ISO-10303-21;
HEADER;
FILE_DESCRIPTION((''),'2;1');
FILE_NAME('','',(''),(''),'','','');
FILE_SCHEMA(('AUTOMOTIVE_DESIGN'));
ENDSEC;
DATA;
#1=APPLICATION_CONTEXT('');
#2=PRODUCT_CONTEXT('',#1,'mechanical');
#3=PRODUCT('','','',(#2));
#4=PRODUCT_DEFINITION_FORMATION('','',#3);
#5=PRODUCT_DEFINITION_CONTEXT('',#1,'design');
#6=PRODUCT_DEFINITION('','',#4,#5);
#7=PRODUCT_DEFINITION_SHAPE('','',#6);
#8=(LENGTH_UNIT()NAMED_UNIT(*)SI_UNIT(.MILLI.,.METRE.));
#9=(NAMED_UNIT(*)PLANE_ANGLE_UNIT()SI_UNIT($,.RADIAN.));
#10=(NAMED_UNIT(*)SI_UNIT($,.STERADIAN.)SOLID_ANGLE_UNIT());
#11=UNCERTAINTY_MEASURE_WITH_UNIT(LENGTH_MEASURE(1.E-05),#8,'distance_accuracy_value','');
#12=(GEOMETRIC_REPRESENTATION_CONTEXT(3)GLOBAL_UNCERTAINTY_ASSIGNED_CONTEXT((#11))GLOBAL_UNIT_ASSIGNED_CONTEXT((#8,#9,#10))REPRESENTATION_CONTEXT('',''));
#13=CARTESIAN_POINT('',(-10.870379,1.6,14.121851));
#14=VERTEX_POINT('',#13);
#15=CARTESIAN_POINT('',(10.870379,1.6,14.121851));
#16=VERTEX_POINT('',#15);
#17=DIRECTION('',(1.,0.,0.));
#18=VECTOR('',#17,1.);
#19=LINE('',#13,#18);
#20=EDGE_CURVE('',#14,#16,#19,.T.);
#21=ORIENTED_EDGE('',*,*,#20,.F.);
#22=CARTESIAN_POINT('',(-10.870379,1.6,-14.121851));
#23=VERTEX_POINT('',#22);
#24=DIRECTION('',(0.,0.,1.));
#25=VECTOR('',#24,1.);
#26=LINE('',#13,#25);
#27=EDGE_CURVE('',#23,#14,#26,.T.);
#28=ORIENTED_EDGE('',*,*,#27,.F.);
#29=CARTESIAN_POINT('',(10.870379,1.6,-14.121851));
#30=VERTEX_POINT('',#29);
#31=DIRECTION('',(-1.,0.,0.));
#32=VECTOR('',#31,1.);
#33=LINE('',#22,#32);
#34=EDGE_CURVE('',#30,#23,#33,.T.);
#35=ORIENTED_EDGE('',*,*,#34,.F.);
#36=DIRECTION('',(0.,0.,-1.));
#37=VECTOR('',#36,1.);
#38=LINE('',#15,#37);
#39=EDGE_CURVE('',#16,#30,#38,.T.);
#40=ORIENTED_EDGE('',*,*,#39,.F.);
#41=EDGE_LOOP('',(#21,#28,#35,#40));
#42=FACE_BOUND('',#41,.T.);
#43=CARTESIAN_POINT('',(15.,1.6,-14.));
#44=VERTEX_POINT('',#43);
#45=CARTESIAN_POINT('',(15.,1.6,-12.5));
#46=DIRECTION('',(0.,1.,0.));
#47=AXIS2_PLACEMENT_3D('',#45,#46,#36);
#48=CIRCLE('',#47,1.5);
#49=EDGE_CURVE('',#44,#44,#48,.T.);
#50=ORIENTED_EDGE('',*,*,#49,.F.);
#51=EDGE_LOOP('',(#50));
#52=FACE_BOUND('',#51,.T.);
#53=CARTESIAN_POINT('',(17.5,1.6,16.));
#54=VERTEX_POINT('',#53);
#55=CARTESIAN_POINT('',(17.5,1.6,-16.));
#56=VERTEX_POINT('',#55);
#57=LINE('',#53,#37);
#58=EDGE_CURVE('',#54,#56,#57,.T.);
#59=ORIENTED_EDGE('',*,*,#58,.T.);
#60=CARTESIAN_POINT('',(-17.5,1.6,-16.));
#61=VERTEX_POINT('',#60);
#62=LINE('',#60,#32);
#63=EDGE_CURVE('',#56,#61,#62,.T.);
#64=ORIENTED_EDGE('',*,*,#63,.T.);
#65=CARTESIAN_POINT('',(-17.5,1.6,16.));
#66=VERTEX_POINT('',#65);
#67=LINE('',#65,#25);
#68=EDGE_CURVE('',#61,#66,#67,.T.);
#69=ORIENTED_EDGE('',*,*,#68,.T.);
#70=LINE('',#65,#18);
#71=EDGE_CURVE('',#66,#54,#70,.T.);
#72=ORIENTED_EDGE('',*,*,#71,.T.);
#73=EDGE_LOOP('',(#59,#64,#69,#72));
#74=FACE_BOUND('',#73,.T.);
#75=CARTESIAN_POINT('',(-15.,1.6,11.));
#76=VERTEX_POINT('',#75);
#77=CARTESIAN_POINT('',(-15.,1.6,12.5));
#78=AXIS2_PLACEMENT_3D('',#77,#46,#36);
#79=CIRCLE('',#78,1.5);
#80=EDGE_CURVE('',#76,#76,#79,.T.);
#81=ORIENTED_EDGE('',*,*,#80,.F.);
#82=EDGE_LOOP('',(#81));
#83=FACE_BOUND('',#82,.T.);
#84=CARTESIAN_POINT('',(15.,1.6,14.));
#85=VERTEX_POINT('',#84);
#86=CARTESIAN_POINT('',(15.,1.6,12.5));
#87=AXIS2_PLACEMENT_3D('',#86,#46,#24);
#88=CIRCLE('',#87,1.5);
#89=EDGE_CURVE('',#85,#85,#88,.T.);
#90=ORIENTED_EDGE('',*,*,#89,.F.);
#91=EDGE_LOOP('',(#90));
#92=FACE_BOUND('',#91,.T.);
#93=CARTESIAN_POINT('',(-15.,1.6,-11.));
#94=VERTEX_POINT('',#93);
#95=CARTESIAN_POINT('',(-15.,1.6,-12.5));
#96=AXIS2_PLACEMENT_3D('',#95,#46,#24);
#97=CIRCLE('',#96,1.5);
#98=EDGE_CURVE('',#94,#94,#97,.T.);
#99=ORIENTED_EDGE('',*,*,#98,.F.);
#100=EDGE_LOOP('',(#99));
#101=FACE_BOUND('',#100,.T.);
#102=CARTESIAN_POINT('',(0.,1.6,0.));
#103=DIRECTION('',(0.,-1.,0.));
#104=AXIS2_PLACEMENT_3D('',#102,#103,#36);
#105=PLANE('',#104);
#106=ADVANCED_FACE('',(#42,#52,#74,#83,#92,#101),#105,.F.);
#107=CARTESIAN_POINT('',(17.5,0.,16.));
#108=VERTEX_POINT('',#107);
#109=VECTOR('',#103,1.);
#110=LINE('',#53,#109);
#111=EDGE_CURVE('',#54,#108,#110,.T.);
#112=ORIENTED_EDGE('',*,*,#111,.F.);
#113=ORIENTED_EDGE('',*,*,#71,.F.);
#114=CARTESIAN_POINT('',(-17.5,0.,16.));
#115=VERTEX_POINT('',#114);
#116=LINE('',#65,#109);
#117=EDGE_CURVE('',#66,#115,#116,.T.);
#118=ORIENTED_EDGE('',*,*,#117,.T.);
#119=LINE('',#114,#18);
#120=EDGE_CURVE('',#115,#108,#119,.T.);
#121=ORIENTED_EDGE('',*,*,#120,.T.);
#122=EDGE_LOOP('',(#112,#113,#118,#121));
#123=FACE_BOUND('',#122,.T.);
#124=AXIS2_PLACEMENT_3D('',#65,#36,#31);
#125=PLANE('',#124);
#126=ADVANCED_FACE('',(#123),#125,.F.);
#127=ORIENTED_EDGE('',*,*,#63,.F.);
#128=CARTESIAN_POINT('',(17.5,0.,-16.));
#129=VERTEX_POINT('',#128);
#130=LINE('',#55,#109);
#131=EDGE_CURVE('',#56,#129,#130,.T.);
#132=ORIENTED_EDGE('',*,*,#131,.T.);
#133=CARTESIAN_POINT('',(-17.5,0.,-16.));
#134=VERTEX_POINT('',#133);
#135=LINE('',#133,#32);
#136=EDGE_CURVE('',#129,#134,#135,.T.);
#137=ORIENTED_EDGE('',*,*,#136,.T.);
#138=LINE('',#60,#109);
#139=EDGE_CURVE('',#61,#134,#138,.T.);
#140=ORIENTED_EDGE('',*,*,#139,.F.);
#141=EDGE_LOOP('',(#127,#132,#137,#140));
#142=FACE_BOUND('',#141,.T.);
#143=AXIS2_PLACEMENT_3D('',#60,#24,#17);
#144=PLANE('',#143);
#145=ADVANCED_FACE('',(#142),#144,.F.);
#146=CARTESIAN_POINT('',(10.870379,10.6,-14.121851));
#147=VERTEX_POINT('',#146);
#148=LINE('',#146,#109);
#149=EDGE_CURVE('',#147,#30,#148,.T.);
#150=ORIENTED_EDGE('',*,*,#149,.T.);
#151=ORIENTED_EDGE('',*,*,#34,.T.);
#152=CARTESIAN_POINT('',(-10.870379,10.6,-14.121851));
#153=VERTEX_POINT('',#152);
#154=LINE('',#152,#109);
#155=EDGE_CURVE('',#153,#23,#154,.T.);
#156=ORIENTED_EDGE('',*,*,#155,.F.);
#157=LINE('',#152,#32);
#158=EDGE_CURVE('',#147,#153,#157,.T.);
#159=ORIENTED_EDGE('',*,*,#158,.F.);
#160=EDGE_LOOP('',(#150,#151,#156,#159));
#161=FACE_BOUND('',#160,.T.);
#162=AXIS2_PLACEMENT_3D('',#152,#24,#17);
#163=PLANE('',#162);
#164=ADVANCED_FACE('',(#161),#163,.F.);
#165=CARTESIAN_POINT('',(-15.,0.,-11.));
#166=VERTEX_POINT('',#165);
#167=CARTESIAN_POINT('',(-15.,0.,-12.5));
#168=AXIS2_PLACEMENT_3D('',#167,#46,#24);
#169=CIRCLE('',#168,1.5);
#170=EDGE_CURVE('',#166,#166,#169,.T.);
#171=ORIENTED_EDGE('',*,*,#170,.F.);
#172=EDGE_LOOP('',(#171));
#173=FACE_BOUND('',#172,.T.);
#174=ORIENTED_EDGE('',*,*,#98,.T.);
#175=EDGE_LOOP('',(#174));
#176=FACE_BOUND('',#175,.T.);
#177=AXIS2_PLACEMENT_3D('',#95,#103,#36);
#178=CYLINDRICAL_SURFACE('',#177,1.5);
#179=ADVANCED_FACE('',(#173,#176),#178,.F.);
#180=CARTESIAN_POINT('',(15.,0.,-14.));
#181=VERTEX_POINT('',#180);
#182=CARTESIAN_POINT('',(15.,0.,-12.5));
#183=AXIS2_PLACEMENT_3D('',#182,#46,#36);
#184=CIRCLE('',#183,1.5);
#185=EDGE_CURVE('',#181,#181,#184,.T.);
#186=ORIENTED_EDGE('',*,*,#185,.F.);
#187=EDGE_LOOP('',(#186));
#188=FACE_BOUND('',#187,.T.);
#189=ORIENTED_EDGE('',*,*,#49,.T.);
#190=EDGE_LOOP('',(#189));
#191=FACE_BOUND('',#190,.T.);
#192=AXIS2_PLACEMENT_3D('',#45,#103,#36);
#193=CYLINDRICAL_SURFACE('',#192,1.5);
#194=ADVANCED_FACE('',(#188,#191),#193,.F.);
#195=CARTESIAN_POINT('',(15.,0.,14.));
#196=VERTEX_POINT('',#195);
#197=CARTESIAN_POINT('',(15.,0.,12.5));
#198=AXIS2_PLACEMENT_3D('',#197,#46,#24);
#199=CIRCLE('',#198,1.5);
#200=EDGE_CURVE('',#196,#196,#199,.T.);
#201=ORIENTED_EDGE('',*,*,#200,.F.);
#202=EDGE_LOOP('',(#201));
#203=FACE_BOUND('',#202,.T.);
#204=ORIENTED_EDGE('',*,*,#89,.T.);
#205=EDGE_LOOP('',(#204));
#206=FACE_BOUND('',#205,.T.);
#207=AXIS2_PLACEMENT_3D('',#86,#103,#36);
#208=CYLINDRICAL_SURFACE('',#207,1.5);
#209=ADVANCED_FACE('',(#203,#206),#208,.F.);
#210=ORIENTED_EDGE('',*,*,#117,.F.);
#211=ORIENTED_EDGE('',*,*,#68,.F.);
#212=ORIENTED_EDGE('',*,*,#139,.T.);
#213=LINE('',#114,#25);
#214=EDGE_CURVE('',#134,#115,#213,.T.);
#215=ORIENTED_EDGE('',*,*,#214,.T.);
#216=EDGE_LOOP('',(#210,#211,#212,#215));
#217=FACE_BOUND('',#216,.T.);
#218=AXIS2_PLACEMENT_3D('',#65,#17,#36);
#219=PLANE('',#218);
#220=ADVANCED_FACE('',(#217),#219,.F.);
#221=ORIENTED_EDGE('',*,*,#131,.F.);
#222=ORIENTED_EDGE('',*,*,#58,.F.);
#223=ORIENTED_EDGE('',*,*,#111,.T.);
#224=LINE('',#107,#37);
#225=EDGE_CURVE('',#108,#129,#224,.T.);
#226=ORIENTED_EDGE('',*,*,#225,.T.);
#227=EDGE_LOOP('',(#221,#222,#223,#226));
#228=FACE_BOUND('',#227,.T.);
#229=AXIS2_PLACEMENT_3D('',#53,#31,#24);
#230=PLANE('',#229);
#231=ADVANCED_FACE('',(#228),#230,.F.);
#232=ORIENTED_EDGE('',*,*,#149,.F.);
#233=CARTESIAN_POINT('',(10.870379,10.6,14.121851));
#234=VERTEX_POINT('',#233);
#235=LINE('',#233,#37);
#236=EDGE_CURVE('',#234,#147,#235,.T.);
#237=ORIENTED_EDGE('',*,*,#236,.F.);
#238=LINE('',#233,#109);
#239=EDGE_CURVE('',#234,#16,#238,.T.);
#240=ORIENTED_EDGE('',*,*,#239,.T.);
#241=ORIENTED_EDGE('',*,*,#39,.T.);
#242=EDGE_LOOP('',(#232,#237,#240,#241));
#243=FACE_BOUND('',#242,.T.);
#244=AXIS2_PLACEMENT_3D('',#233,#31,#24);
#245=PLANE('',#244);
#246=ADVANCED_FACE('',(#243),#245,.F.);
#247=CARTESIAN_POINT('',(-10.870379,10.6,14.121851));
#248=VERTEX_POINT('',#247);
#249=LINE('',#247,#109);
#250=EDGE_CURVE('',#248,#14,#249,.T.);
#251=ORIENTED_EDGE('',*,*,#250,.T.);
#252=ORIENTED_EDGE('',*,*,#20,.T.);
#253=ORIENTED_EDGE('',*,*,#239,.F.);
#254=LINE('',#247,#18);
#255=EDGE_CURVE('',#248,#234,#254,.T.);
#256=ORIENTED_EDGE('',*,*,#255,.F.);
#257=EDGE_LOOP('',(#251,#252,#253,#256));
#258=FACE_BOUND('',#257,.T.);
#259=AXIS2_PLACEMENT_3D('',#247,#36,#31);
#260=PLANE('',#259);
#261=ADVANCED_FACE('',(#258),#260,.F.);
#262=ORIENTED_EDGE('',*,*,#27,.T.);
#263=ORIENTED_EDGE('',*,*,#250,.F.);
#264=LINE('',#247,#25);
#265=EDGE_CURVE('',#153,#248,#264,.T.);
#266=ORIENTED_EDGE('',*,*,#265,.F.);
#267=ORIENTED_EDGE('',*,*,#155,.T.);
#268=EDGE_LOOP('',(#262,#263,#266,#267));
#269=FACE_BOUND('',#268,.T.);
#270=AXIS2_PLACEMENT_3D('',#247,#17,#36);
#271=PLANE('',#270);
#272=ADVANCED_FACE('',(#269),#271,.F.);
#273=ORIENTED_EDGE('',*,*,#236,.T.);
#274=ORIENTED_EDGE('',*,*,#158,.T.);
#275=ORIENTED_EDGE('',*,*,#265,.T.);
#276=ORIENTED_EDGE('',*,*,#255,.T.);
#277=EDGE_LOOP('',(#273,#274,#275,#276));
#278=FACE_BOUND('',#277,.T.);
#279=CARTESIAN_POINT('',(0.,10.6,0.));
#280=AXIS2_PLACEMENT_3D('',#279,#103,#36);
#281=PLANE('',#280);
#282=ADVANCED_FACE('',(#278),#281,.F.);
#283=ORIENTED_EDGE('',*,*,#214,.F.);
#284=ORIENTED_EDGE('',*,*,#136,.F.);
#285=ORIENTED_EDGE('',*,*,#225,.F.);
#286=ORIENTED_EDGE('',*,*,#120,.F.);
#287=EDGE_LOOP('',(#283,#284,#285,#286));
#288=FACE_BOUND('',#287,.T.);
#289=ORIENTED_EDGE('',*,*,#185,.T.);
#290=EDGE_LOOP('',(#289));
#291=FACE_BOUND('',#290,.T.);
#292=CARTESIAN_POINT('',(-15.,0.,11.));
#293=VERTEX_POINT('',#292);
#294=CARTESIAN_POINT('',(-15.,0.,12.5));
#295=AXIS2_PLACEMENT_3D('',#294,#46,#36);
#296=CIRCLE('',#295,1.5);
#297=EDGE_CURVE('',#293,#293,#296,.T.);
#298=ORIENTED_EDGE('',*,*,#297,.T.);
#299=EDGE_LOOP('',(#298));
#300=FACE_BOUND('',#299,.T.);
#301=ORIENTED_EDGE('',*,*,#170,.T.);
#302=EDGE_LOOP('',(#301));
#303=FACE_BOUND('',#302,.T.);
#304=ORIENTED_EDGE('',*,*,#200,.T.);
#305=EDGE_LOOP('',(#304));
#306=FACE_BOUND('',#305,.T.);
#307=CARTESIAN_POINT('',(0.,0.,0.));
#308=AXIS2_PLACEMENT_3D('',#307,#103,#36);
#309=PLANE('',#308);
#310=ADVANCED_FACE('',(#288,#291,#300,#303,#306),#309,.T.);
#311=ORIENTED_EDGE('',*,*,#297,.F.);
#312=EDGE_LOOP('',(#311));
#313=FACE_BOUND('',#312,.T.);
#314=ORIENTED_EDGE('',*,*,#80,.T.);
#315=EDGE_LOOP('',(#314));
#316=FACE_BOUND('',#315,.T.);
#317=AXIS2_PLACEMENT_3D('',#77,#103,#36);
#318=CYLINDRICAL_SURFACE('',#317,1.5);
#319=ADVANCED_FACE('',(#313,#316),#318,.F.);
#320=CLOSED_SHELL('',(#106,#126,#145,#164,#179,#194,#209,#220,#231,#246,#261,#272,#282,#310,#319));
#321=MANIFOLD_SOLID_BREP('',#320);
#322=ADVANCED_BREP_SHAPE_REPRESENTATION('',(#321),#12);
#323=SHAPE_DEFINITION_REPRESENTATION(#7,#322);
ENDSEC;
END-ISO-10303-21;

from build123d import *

# Parameters (mm, degrees)
SKETCH1_W           = 35
SKETCH1_H           = 32
SKETCH1_R           = 1.5
BOSS_EXTRUDE1_DEPTH = 1.6
SKETCH2_W           = 21.740757606
SKETCH2_H           = 28.24370202
BOSS_EXTRUDE2_DEPTH = 9


with BuildPart() as part:
    # Sketch1 → Boss-Extrude1 (new body)
    with BuildSketch(Plane(origin=(0, 0, 0), x_dir=(1, 0, 0), z_dir=(0, 1, 0))):
        Rectangle(SKETCH1_W, SKETCH1_H)
        with Locations(Location((-15, 12.5, 0), (0, 0, 270))):
            Circle(SKETCH1_R, mode=Mode.SUBTRACT)
        with Locations(Location((15, 12.5, 0), (0, 0, 90))):
            Circle(SKETCH1_R, mode=Mode.SUBTRACT)
        with Locations(Location((15, -12.5, 0), (0, 0, 270))):
            Circle(SKETCH1_R, mode=Mode.SUBTRACT)
        with Locations(Location((-15, -12.5, 0), (0, 0, 90))):
            Circle(SKETCH1_R, mode=Mode.SUBTRACT)
    extrude(amount=BOSS_EXTRUDE1_DEPTH)

    # Sketch2 → Boss-Extrude2 (add)
    with BuildSketch(Plane(origin=(0, 1.6, 0), x_dir=(1, 0, 0), z_dir=(0, 1, 0))):
        Rectangle(SKETCH2_W, SKETCH2_H)
    extrude(amount=BOSS_EXTRUDE2_DEPTH)


solid = part.part
